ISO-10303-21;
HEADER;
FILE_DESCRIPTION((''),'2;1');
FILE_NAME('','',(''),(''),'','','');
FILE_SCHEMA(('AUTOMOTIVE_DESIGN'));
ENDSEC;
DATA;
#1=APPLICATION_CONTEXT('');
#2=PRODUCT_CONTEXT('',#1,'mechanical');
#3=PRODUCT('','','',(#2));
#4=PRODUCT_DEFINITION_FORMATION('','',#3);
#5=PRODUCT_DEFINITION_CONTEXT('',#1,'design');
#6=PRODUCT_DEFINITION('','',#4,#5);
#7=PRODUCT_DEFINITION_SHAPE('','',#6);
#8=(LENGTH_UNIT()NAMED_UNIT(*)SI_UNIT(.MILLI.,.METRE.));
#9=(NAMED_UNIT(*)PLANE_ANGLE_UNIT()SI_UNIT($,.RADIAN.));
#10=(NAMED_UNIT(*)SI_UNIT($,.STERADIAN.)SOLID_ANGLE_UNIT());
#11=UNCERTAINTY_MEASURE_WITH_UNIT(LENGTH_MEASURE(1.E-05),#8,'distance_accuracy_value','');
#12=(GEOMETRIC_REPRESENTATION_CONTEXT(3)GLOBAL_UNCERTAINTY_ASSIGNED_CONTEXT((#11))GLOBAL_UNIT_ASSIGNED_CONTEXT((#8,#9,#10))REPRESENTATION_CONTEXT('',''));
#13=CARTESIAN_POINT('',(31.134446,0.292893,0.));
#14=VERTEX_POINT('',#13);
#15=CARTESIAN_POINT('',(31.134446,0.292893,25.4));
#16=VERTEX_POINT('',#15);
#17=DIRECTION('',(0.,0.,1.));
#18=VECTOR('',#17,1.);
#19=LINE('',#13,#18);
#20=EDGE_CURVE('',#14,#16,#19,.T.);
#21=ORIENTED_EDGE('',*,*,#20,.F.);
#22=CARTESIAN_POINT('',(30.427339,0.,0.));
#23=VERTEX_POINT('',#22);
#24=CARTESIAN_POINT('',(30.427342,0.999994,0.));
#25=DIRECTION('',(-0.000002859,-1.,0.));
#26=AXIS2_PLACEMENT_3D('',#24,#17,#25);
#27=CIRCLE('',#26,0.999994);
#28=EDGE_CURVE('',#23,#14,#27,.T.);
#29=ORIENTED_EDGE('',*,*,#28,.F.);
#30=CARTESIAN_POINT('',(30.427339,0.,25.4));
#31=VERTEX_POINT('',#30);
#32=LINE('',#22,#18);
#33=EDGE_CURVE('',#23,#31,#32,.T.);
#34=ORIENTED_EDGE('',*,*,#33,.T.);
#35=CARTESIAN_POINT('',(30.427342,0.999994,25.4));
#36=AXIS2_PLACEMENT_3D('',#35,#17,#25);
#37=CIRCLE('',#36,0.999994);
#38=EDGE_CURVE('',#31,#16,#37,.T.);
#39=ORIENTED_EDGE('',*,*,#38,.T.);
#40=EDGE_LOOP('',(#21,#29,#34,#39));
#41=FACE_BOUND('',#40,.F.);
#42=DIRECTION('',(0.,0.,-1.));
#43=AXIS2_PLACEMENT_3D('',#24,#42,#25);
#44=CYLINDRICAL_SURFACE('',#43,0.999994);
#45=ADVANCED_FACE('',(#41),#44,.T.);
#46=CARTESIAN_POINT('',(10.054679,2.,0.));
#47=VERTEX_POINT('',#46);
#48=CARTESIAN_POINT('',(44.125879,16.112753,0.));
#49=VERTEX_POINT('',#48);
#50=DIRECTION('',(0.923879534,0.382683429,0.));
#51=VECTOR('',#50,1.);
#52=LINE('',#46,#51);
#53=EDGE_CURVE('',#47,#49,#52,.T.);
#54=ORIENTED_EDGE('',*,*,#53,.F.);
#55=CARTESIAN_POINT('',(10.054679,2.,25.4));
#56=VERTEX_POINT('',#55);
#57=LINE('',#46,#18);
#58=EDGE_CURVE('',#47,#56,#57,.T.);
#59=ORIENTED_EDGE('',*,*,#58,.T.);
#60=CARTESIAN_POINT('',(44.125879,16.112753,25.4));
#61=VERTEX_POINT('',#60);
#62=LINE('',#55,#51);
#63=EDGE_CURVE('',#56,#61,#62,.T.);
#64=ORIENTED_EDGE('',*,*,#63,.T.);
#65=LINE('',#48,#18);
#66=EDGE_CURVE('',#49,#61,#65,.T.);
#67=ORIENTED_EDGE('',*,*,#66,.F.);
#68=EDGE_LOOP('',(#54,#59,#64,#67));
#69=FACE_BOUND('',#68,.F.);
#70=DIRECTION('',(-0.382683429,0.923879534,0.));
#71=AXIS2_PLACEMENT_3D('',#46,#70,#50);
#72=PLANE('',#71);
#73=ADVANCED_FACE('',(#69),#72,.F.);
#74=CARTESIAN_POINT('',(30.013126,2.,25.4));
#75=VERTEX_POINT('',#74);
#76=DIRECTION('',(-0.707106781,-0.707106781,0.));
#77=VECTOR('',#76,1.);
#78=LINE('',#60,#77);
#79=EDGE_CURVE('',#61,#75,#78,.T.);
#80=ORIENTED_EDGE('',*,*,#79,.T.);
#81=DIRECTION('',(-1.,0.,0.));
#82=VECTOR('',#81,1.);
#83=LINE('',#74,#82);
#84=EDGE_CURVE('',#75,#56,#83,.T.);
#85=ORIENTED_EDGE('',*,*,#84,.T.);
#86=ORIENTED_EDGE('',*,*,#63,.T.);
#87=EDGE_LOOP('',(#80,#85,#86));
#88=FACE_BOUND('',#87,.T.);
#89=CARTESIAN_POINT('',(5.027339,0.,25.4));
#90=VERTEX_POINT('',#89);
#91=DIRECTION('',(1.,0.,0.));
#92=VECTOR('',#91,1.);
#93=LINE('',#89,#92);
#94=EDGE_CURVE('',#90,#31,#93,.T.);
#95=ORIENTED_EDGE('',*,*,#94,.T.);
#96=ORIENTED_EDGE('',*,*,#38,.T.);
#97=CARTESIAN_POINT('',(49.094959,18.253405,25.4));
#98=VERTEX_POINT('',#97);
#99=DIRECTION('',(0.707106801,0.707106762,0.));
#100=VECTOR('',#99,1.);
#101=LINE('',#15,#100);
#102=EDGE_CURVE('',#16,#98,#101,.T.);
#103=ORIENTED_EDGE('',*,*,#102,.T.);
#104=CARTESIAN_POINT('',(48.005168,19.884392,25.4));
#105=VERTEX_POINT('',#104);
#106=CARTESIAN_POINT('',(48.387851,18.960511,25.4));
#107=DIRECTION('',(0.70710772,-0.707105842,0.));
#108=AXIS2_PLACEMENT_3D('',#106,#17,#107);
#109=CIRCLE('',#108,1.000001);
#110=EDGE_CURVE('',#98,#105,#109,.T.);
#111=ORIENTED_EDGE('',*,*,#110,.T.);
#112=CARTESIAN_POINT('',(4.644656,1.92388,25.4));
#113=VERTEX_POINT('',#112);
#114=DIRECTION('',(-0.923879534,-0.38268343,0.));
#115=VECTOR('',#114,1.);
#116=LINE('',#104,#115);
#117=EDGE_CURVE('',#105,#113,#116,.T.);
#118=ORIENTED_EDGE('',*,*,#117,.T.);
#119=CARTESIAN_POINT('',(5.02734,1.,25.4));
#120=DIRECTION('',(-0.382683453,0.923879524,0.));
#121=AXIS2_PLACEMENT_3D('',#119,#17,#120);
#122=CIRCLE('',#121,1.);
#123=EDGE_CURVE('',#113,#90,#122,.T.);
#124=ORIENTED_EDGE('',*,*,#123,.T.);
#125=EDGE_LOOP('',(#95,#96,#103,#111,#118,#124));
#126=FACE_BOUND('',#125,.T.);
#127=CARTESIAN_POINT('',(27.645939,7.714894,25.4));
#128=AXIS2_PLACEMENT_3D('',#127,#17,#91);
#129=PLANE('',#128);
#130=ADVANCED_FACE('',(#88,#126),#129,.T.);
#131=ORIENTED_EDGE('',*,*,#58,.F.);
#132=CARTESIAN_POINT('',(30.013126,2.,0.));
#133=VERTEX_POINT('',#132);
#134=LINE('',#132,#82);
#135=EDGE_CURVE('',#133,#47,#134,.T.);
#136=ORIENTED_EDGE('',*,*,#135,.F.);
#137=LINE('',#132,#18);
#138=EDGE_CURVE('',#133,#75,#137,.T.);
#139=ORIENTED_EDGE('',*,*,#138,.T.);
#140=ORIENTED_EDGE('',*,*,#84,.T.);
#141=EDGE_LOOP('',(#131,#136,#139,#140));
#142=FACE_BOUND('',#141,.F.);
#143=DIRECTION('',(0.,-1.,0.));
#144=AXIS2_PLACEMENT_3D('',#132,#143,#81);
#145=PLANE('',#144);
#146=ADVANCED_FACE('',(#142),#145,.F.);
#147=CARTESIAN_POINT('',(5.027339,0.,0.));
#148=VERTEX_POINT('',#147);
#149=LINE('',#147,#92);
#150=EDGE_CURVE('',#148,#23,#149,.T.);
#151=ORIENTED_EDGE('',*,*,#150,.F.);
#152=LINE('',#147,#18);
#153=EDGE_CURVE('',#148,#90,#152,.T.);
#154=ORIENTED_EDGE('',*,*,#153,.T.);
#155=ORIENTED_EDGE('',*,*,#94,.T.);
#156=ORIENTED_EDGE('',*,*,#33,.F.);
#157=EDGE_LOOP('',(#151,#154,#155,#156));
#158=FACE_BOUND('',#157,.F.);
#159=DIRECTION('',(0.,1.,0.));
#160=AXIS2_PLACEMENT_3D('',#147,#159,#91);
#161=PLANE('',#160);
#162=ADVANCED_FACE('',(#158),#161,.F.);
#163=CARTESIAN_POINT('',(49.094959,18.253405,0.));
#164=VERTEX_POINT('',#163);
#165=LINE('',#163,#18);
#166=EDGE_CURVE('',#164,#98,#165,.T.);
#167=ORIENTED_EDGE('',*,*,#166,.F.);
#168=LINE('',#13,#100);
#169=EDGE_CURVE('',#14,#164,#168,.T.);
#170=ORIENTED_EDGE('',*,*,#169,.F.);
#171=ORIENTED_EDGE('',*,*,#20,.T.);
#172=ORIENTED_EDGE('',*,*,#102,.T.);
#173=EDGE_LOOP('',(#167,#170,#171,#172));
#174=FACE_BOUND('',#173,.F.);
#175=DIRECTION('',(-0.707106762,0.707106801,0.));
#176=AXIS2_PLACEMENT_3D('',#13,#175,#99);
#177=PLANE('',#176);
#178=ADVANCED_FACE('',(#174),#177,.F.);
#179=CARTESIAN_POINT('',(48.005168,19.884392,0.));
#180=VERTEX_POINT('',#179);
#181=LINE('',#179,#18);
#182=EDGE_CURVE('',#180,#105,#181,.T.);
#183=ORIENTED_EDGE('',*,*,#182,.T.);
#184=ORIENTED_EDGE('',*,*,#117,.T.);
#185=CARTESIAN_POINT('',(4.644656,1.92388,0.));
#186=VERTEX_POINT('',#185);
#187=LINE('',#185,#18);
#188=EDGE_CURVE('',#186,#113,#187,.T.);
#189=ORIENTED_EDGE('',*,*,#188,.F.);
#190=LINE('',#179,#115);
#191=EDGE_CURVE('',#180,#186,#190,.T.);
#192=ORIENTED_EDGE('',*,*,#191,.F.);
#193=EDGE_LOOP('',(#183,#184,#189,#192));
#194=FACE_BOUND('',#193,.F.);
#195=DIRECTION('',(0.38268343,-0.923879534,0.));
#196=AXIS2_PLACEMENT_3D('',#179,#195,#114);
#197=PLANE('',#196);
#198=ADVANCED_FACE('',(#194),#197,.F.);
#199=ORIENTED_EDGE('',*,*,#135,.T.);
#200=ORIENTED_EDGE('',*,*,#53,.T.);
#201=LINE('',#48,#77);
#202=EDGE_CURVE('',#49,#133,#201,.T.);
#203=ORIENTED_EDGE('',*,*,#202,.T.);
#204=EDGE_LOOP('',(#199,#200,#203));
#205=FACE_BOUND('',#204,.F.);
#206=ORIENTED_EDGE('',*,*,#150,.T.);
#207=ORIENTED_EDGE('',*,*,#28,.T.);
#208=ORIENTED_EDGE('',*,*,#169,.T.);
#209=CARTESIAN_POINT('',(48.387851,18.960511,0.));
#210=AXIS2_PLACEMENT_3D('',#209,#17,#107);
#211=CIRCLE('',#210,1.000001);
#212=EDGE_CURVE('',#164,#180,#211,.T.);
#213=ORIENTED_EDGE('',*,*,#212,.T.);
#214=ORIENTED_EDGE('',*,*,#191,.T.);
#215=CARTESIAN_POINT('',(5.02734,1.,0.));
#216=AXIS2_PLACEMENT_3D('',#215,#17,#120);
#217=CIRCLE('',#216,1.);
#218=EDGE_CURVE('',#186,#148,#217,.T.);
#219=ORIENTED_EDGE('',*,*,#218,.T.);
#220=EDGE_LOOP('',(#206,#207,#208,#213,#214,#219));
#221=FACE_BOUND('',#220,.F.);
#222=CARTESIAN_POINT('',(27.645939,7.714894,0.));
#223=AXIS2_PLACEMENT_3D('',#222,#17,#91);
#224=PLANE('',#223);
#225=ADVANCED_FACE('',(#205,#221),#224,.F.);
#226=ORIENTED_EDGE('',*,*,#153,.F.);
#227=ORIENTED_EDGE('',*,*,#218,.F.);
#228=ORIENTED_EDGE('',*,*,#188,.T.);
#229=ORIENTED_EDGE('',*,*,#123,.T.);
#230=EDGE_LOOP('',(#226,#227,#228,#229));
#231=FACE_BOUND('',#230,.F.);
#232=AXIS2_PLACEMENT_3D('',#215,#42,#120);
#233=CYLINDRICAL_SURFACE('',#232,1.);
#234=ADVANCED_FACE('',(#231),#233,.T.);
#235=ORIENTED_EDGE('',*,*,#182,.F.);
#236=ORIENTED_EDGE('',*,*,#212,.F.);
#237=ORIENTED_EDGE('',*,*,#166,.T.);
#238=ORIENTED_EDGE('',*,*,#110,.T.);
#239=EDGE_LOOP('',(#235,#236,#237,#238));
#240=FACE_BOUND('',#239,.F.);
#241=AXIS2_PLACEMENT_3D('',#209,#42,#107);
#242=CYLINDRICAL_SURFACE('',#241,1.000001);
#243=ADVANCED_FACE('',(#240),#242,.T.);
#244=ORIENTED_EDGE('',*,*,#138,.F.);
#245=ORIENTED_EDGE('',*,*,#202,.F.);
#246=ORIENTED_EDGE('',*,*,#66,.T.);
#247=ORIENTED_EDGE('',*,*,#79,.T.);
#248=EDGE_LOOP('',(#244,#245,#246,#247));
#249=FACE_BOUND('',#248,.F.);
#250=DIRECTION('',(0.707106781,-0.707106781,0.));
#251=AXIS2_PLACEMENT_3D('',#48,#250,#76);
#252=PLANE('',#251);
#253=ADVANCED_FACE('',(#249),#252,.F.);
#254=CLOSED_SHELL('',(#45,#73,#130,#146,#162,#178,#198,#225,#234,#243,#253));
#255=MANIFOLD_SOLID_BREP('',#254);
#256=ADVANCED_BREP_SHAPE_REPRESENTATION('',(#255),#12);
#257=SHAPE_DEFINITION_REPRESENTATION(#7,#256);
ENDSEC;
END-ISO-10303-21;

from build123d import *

# Parameters (mm, degrees)
F1_DEPTH = 25.4


with BuildPart() as f1:
    # F0 (on Top) → F1 (new body)
    with BuildSketch(Plane.XY):
        with BuildLine():
            ThreePointArc((4.644656, 1.92388), (4.046554, 0.80491), (5.027339, 0))
            Line((5.027339, 0), (30.427339, 0))
            ThreePointArc((30.427339, 0), (30.810023, 0.07612), (31.134446, 0.292893))
            Line((31.134446, 0.292893), (49.094959, 18.253405))
            ThreePointArc((49.094959, 18.253405), (49.219321, 19.516082), (48.005168, 19.884392))
            Line((48.005168, 19.884392), (4.644656, 1.92388))
        make_face()
        Polygon((10.054679, 2), (44.125879, 16.112753), (30.013126, 2), align=None, mode=Mode.SUBTRACT)
    extrude(amount=F1_DEPTH)


solid = f1.part
